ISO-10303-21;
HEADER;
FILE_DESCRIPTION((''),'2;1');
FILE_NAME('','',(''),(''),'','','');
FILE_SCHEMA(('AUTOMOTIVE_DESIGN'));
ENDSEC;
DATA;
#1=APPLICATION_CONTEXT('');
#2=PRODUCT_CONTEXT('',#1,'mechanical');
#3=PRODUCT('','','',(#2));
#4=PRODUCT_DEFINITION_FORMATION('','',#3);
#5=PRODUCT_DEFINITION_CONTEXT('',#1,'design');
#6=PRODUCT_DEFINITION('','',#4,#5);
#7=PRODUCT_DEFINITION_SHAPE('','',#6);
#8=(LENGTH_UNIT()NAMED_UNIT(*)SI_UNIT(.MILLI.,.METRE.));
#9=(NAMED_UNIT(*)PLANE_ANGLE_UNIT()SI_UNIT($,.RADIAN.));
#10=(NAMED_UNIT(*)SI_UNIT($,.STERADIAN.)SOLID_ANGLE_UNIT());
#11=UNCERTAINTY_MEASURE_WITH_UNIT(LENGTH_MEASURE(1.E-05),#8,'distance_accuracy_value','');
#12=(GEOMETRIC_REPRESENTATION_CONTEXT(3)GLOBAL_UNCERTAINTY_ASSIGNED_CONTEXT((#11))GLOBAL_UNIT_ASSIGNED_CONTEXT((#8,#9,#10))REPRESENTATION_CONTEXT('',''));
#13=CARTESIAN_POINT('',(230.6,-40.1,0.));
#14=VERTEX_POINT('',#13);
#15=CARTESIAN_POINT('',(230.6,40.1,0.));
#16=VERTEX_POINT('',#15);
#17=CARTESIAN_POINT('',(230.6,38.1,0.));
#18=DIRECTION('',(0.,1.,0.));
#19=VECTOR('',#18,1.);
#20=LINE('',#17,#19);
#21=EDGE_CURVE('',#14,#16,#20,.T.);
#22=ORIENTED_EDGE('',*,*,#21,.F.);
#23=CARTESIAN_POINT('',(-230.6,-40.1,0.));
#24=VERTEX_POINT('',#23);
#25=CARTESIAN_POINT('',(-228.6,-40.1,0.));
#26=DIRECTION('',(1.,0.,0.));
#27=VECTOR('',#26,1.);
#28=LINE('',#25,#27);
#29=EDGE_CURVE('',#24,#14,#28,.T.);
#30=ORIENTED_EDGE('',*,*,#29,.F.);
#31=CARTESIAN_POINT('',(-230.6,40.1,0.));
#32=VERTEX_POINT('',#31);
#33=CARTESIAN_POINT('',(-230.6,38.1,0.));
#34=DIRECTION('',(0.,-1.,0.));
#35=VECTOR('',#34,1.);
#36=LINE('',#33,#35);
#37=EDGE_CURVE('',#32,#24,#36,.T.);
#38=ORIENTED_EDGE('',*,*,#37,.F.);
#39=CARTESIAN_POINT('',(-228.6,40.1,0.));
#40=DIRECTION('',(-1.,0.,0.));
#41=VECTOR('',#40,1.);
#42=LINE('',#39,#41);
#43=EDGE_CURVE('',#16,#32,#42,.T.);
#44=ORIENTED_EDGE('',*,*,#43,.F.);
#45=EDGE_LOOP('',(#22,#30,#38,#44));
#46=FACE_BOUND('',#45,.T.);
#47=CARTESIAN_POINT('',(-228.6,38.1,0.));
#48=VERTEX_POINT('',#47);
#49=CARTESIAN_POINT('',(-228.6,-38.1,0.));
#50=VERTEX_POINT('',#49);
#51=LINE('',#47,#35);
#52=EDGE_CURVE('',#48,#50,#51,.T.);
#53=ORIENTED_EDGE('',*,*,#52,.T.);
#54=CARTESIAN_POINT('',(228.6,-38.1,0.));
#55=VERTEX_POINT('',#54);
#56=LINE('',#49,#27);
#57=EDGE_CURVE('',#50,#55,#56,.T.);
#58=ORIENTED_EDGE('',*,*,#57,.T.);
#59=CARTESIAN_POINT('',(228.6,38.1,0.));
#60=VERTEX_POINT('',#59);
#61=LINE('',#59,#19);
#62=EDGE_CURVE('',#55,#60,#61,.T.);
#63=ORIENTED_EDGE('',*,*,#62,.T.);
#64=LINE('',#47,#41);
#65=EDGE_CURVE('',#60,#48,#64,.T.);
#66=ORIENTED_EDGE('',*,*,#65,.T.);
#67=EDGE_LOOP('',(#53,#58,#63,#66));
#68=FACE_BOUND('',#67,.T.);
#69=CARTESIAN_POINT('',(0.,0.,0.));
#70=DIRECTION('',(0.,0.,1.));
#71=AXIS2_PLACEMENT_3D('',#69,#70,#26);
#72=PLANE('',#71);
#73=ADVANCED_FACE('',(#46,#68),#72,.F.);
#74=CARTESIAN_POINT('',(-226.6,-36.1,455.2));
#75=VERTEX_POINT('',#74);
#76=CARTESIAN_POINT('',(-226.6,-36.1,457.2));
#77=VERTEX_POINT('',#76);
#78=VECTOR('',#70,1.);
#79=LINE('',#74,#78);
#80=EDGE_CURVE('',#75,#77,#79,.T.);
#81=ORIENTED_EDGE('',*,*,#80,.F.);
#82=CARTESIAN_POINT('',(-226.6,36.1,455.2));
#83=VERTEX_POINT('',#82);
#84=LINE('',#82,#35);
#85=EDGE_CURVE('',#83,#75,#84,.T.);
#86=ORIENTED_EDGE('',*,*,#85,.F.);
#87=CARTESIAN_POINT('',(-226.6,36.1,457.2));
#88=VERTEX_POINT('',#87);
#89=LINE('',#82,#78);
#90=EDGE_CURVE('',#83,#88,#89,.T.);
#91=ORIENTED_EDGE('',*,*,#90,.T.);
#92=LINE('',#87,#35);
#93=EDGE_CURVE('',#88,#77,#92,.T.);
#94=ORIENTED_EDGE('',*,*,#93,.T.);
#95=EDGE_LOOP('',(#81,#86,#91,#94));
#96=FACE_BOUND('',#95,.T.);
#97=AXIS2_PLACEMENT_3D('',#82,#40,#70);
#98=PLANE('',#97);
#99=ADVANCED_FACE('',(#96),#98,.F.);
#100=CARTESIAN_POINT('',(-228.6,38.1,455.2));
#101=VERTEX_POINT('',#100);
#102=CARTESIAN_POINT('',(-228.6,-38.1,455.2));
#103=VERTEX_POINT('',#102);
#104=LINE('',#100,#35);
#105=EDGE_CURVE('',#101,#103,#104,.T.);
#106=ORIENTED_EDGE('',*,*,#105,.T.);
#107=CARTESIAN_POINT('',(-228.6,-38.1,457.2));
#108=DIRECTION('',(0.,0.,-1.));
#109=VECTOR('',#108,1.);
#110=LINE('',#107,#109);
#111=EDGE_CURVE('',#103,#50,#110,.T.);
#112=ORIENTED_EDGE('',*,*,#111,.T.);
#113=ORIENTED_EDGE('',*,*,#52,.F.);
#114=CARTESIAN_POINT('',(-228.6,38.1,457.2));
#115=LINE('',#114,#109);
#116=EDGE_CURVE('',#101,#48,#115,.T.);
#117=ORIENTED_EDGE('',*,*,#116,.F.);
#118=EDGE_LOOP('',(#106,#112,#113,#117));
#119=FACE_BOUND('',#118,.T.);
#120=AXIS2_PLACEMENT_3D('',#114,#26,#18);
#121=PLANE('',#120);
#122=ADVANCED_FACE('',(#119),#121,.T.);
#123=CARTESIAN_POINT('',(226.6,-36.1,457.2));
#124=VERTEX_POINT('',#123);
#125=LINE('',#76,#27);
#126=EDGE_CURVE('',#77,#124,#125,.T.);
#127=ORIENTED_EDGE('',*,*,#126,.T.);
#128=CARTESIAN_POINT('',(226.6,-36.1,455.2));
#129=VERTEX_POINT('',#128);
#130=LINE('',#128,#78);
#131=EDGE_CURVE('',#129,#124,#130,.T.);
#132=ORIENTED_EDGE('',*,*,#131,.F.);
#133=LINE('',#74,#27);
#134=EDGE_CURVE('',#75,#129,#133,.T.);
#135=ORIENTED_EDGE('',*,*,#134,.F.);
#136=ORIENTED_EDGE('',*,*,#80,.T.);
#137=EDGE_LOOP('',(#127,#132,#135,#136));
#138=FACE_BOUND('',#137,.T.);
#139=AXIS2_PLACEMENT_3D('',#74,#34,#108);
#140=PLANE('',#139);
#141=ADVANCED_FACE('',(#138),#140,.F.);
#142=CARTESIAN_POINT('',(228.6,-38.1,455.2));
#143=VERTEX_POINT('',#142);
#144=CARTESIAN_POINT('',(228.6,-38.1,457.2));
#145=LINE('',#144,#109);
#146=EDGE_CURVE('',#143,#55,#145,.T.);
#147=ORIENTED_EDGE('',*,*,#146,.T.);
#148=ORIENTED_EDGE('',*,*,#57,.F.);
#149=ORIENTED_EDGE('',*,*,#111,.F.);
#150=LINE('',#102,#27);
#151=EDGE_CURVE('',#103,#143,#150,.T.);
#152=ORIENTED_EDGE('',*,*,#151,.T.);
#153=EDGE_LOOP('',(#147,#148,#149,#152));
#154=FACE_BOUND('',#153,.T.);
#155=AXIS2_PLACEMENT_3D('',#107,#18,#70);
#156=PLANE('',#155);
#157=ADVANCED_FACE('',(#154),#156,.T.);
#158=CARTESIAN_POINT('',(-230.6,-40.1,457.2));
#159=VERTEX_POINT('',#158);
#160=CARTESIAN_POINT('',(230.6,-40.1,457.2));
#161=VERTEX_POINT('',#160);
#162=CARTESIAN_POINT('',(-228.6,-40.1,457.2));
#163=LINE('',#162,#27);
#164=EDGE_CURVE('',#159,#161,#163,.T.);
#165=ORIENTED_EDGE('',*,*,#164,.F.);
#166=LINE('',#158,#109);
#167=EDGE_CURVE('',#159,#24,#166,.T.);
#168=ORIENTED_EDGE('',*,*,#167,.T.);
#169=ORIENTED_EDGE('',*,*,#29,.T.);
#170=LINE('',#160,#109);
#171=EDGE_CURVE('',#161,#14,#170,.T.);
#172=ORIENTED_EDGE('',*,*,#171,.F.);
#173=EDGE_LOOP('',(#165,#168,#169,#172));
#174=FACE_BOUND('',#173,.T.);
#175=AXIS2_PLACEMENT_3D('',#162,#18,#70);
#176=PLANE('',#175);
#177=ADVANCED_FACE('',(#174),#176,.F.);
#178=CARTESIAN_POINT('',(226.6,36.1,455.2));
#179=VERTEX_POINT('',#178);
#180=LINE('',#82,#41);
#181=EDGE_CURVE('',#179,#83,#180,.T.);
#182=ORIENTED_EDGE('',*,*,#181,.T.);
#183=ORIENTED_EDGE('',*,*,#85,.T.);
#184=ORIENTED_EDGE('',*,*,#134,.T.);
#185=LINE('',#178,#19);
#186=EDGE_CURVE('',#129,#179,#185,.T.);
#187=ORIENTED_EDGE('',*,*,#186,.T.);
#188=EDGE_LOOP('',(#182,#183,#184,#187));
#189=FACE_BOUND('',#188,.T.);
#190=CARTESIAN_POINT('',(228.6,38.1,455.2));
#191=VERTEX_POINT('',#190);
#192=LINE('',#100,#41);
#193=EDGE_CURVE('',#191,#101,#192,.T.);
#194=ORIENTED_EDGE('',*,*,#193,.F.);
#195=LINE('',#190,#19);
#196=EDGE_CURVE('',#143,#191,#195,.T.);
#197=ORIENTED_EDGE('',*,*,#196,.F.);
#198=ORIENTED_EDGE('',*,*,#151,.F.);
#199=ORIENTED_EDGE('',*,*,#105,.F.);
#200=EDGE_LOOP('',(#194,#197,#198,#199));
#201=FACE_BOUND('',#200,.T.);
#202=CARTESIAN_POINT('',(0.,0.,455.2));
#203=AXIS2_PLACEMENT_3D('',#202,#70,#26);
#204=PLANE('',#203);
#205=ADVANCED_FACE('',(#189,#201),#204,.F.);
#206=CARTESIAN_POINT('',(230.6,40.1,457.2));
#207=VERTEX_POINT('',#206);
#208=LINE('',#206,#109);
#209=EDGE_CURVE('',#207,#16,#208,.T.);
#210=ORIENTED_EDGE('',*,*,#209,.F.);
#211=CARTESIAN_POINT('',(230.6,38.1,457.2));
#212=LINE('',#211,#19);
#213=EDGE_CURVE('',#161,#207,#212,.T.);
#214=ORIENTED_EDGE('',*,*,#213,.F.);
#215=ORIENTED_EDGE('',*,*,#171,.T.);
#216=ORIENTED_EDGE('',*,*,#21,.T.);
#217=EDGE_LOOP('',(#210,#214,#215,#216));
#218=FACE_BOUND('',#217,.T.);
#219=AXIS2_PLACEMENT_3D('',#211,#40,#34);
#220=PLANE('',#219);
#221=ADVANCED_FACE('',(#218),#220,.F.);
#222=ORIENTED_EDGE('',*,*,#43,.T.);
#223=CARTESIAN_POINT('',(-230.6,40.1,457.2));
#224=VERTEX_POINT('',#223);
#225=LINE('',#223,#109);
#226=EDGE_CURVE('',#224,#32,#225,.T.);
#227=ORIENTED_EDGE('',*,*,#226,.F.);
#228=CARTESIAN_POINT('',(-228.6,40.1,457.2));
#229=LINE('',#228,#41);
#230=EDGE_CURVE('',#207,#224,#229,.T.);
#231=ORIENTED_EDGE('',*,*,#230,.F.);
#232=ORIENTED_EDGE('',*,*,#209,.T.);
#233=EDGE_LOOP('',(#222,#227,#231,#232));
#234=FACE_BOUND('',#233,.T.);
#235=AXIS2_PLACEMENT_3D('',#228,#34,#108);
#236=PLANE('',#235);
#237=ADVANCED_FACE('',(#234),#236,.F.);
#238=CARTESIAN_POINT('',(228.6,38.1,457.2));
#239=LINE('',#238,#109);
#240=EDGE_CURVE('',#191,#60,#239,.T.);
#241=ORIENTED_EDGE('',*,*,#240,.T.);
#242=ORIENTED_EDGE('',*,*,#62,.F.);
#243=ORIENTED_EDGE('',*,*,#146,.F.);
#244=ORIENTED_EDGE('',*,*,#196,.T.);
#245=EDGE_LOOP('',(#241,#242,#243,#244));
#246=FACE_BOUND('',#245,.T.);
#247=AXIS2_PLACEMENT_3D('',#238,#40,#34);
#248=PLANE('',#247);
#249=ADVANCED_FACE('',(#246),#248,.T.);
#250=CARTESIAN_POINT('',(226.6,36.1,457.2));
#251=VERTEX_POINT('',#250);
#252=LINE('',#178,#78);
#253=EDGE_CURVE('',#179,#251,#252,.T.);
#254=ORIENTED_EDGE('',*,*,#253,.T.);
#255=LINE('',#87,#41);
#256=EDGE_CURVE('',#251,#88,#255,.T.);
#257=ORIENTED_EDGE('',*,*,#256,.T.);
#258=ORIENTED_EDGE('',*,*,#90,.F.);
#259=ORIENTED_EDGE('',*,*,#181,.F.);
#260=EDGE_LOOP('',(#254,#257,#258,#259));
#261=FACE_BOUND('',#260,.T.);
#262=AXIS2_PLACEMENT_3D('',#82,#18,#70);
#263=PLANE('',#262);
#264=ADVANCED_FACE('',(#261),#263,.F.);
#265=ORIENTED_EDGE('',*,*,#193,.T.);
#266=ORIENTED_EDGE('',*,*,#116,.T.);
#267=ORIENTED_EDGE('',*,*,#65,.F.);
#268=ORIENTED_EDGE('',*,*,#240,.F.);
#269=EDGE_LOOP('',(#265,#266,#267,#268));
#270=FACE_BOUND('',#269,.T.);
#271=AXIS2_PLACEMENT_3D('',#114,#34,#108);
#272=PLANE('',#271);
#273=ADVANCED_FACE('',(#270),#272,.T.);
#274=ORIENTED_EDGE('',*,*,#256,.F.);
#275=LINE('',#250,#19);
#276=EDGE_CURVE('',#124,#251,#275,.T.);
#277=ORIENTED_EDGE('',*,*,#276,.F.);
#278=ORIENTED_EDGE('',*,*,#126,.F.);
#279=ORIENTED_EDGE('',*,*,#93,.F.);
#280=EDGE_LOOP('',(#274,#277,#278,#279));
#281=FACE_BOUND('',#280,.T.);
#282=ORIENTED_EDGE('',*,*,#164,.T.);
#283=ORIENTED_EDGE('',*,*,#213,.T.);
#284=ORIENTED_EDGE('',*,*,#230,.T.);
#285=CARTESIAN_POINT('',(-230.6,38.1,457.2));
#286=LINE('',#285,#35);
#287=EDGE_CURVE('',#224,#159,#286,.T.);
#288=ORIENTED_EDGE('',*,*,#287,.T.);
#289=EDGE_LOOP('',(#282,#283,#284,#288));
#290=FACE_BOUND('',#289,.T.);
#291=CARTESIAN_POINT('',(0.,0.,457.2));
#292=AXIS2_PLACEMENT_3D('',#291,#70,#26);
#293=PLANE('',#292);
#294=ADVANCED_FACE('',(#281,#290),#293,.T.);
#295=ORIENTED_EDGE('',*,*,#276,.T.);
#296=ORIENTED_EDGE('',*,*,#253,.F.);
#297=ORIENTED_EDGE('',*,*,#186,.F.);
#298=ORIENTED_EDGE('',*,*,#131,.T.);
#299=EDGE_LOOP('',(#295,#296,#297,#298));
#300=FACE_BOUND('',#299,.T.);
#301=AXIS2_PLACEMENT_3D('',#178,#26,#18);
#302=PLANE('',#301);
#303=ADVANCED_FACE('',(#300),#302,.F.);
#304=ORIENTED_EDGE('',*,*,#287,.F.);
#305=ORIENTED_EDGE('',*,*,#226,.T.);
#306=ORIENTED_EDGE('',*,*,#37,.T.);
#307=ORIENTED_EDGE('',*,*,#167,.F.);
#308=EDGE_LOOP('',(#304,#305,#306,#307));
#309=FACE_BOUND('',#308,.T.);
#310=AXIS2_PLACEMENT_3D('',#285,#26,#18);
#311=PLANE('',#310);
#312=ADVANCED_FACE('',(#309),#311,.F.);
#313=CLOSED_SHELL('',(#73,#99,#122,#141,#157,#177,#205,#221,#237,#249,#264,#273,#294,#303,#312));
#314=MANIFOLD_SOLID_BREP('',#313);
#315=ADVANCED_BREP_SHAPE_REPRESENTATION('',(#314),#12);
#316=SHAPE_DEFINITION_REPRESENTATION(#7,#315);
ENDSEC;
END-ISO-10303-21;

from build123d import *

# Parameters (mm, degrees)
SKETCH_1_W        = 461.2
SKETCH_1_H        = 80.2
SKETCH_1_W_2      = 457.2
SKETCH_1_H_2      = 76.2
EXTRUDE_1_DEPTH   = 457.2
SKETCH_2_W        = 461.2
SKETCH_2_H        = 80.2
SKETCH_2_W_2      = 453.2
SKETCH_2_H_2      = 72.2
EXTRUDE_1_2_DEPTH = 2


with BuildPart() as part:
    # Эскиз1 → Extrude 1 (new body)
    with BuildSketch(Plane.XY):
        Rectangle(SKETCH_1_W, SKETCH_1_H)
        Rectangle(SKETCH_1_W_2, SKETCH_1_H_2, mode=Mode.SUBTRACT)
    extrude(amount=EXTRUDE_1_DEPTH)

    # Эскиз2 → Extrude 1 2 (add)
    with BuildSketch(Plane.XY.offset(457.2)):
        Rectangle(SKETCH_2_W, SKETCH_2_H)
        Rectangle(SKETCH_2_W_2, SKETCH_2_H_2, mode=Mode.SUBTRACT)
    extrude(amount=-EXTRUDE_1_2_DEPTH)


solid = part.part
